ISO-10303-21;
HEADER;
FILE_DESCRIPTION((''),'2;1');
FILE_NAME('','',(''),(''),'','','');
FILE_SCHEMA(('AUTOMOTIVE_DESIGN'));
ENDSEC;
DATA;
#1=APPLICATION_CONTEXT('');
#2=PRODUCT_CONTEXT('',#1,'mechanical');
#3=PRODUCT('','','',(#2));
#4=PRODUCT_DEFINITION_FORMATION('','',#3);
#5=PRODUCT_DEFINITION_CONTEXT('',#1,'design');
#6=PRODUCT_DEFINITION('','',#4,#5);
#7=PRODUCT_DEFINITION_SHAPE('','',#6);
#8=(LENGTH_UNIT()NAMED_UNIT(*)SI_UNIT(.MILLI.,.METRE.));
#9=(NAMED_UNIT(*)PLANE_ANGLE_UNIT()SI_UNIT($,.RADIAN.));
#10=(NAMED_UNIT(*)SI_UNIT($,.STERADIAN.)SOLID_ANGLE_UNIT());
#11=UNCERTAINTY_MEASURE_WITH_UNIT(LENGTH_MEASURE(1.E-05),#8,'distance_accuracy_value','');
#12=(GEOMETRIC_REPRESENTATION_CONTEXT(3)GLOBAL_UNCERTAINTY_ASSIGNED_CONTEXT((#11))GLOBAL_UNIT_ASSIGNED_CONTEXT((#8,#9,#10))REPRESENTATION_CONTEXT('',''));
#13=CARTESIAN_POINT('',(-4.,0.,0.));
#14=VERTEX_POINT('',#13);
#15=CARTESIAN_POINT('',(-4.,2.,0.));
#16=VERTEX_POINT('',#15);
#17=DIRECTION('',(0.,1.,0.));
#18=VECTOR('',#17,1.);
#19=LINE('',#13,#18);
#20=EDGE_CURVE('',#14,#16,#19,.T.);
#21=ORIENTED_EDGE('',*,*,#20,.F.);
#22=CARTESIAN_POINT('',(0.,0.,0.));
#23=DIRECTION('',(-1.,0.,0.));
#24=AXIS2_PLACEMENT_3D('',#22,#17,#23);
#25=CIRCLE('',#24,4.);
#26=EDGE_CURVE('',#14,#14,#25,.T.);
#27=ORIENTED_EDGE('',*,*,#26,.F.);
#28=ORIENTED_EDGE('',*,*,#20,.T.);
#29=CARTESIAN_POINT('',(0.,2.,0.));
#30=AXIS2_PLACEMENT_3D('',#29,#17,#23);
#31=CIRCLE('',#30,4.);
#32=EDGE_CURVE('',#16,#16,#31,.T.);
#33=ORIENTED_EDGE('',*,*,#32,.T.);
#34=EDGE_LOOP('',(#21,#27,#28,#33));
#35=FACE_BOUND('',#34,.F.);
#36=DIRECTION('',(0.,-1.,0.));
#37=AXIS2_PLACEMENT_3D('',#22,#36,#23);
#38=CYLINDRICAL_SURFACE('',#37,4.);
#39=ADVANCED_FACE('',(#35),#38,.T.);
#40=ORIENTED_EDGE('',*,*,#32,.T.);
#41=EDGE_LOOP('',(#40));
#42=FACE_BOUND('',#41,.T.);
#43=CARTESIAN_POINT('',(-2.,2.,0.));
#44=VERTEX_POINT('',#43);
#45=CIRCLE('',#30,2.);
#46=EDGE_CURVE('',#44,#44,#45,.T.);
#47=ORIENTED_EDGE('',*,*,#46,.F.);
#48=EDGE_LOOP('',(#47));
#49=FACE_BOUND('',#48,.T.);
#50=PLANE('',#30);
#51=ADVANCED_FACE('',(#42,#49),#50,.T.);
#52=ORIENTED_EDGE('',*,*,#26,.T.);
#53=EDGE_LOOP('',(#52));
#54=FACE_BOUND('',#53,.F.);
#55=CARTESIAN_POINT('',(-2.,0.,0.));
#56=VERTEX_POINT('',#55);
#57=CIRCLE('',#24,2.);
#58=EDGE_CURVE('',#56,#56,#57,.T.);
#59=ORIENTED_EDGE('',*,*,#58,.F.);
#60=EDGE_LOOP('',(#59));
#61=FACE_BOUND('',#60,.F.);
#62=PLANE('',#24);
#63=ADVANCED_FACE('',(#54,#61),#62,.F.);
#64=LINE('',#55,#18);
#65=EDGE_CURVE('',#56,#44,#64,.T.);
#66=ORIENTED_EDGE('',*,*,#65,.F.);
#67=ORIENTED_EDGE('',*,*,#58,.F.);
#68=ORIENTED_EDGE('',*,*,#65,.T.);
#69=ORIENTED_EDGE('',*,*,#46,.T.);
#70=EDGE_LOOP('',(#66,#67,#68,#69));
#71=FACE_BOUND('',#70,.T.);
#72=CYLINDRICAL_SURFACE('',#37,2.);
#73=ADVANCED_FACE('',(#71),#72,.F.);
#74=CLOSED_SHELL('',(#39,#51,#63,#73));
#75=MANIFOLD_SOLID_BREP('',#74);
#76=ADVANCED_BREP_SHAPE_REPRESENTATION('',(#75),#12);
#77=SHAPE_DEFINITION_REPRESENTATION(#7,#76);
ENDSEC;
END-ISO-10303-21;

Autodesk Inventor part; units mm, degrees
ref_plane "YZ Plane" through (0, 0, 0) normal (1, 0, 0) x (0, 1, 0)
ref_plane "XZ Plane" through (0, 0, 0) normal (0, 1, 0) x (-1, 0, 0)
ref_plane "XY Plane" through (0, 0, 0) normal (0, 0, 1) x (1, 0, 0)
sketch "Sketch1" plane through (0, 0, 0) normal (0, 1, 0) x (-1, 0, 0)
  circle A0 centre (0, 0) radius 4
  circle A1 centre (0, 0) radius 2
  dimension "d0" = 8
  dimension "d1" = 4
extrude "Extrusion1" add sketch "Sketch1" along normal blind 2
properties part number "M3_Spacer"
